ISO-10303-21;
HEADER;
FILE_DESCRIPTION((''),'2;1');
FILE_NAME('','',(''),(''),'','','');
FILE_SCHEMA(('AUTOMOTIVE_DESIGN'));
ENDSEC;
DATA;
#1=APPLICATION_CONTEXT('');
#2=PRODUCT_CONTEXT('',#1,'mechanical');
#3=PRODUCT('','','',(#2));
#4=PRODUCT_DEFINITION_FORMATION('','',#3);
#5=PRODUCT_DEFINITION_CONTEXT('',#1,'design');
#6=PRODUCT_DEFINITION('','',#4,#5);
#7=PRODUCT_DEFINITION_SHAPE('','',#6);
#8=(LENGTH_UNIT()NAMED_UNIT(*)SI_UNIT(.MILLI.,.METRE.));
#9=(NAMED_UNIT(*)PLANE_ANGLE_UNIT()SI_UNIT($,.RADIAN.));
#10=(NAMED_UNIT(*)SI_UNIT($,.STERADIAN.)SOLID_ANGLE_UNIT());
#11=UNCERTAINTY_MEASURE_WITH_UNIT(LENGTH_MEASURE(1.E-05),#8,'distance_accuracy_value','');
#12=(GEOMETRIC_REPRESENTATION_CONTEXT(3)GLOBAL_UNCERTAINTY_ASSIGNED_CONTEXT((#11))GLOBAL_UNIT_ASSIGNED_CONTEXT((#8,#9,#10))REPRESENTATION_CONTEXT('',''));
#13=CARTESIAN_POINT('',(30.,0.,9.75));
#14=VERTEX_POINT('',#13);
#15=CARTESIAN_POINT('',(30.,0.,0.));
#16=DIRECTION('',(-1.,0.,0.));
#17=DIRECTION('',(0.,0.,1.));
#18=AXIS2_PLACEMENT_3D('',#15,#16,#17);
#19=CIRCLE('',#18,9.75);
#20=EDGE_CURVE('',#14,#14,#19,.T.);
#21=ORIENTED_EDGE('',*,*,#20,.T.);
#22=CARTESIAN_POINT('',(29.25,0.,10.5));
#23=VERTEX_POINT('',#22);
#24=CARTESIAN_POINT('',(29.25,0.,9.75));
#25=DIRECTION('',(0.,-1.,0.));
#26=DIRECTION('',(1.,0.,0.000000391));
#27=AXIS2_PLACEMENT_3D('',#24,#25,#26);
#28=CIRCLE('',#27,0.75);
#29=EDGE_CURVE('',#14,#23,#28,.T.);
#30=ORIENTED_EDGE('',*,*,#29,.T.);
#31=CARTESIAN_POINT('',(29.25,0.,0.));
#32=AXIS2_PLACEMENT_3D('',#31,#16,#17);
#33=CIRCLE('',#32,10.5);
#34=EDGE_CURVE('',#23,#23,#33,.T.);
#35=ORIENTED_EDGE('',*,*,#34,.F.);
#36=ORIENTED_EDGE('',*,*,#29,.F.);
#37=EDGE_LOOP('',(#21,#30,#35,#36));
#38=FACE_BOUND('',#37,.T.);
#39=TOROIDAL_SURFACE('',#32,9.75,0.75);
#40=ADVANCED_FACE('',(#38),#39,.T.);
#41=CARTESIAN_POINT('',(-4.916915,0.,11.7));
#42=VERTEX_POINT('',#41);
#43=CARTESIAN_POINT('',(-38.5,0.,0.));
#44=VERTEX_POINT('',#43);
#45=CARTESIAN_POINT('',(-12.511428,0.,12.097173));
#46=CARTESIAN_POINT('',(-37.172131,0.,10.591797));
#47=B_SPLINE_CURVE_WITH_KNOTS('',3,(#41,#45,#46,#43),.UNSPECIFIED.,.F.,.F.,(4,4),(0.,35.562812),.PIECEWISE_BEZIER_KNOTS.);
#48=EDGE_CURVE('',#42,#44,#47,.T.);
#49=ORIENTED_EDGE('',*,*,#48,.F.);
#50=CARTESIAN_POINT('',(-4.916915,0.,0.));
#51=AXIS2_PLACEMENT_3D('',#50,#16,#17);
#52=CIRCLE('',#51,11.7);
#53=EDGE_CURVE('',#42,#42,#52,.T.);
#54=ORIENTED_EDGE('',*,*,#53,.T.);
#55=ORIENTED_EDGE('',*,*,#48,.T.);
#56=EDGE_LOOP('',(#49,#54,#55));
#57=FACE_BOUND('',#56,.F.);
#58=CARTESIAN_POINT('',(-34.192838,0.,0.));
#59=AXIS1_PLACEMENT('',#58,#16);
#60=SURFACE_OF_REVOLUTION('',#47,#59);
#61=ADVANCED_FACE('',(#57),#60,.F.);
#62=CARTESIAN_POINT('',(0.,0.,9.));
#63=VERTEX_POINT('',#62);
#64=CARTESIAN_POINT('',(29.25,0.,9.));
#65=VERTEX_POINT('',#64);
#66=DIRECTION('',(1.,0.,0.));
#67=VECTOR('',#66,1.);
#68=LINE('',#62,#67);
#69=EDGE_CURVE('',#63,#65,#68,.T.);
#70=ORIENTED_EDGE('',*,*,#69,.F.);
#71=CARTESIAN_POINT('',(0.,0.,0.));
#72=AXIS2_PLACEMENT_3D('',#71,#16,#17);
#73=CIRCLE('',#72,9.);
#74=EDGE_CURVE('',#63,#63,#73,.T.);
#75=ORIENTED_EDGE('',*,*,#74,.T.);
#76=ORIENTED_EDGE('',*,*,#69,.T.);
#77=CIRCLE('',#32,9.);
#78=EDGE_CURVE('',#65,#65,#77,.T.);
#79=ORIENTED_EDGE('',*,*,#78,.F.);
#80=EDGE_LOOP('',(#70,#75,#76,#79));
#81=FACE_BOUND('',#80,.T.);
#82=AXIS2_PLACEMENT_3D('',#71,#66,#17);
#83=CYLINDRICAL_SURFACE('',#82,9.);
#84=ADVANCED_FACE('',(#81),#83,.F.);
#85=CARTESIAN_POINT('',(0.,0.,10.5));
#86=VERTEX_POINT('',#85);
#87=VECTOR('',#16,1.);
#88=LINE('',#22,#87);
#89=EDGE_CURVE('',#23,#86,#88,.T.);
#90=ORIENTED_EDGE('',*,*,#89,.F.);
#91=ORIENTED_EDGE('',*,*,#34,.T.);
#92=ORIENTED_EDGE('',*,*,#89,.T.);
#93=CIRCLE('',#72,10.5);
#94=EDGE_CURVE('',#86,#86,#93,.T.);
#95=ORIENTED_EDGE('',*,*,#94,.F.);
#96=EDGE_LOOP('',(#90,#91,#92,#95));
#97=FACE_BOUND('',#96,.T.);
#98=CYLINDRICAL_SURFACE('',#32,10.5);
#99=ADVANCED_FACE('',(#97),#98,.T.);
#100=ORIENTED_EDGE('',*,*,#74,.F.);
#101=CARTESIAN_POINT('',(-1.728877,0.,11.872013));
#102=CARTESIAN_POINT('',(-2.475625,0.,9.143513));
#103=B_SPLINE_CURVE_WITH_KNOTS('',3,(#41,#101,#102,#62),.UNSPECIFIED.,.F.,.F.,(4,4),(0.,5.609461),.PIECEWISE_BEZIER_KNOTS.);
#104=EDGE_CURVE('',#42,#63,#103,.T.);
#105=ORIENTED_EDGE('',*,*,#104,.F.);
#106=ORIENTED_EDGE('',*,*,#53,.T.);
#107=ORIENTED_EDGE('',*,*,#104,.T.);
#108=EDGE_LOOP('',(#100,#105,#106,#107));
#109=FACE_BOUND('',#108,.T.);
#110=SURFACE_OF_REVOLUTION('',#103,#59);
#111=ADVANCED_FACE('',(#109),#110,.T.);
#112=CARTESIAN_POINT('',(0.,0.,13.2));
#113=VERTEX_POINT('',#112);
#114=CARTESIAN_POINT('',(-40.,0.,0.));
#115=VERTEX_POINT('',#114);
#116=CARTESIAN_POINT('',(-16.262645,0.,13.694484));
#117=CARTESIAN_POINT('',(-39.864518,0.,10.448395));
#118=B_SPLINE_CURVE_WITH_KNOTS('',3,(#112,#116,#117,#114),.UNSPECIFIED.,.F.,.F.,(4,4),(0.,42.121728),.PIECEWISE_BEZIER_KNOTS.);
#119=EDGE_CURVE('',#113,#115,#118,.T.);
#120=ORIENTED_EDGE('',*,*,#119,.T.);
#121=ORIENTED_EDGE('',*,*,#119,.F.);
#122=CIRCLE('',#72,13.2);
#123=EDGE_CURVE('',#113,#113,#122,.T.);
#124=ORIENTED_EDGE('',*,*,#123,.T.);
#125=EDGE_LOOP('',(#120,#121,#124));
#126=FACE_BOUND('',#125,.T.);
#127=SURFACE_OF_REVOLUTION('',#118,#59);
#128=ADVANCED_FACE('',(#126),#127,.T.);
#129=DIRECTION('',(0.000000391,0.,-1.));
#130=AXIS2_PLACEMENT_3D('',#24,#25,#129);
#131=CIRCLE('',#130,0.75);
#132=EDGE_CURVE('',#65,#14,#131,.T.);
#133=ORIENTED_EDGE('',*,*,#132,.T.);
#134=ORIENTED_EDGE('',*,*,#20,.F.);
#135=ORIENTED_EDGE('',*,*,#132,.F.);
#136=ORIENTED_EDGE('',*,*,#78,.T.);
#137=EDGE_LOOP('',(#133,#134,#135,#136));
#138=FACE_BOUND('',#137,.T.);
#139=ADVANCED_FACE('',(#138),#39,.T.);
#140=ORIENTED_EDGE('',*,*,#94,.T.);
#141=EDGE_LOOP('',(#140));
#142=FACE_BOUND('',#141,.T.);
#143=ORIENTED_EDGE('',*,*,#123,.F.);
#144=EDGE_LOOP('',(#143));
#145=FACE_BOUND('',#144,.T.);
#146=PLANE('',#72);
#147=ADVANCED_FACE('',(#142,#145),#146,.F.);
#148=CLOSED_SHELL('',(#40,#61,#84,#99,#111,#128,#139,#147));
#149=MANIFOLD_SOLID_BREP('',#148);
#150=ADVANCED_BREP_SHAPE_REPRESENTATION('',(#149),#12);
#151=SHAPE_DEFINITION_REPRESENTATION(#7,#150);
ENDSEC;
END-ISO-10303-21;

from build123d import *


with BuildPart() as f1:
    # F0 (on Front) → F1 (revolve)
    with BuildSketch(Plane.XZ):
        with BuildLine():
            Line((29.25, 10.5), (0, 10.5))
            Line((0, 10.5), (0, 13.2))
            add(Edge.make_bspline(
                [(0, 13.2), (-16.262645, 13.694484), (-39.864518, 10.448395), (-40, 0)],
                knots=[0, 0, 0, 0, 42.121728, 42.121728, 42.121728, 42.121728], degree=3))
            Line((-40, 0), (-38.5, 0))
            add(Edge.make_bspline(
                [(-4.916915, 11.7), (-12.511428, 12.097173), (-37.172131, 10.591797), (-38.5, 0)],
                knots=[0, 0, 0, 0, 35.562812, 35.562812, 35.562812, 35.562812], degree=3))
            add(Edge.make_bspline(
                [(-4.916915, 11.7), (-1.728877, 11.872013), (-2.475625, 9.143513), (0, 9)],
                knots=[0, 0, 0, 0, 5.609461, 5.609461, 5.609461, 5.609461], degree=3))
            Line((0, 9), (29.25, 9))
            ThreePointArc((29.25, 9), (29.78033, 9.21967), (30, 9.75))
            ThreePointArc((30, 9.75), (29.78033, 10.28033), (29.25, 10.5))
        make_face()
    revolve(axis=Axis((-34.192838, 0, 0), (-1, 0, 0)))


solid = f1.part
